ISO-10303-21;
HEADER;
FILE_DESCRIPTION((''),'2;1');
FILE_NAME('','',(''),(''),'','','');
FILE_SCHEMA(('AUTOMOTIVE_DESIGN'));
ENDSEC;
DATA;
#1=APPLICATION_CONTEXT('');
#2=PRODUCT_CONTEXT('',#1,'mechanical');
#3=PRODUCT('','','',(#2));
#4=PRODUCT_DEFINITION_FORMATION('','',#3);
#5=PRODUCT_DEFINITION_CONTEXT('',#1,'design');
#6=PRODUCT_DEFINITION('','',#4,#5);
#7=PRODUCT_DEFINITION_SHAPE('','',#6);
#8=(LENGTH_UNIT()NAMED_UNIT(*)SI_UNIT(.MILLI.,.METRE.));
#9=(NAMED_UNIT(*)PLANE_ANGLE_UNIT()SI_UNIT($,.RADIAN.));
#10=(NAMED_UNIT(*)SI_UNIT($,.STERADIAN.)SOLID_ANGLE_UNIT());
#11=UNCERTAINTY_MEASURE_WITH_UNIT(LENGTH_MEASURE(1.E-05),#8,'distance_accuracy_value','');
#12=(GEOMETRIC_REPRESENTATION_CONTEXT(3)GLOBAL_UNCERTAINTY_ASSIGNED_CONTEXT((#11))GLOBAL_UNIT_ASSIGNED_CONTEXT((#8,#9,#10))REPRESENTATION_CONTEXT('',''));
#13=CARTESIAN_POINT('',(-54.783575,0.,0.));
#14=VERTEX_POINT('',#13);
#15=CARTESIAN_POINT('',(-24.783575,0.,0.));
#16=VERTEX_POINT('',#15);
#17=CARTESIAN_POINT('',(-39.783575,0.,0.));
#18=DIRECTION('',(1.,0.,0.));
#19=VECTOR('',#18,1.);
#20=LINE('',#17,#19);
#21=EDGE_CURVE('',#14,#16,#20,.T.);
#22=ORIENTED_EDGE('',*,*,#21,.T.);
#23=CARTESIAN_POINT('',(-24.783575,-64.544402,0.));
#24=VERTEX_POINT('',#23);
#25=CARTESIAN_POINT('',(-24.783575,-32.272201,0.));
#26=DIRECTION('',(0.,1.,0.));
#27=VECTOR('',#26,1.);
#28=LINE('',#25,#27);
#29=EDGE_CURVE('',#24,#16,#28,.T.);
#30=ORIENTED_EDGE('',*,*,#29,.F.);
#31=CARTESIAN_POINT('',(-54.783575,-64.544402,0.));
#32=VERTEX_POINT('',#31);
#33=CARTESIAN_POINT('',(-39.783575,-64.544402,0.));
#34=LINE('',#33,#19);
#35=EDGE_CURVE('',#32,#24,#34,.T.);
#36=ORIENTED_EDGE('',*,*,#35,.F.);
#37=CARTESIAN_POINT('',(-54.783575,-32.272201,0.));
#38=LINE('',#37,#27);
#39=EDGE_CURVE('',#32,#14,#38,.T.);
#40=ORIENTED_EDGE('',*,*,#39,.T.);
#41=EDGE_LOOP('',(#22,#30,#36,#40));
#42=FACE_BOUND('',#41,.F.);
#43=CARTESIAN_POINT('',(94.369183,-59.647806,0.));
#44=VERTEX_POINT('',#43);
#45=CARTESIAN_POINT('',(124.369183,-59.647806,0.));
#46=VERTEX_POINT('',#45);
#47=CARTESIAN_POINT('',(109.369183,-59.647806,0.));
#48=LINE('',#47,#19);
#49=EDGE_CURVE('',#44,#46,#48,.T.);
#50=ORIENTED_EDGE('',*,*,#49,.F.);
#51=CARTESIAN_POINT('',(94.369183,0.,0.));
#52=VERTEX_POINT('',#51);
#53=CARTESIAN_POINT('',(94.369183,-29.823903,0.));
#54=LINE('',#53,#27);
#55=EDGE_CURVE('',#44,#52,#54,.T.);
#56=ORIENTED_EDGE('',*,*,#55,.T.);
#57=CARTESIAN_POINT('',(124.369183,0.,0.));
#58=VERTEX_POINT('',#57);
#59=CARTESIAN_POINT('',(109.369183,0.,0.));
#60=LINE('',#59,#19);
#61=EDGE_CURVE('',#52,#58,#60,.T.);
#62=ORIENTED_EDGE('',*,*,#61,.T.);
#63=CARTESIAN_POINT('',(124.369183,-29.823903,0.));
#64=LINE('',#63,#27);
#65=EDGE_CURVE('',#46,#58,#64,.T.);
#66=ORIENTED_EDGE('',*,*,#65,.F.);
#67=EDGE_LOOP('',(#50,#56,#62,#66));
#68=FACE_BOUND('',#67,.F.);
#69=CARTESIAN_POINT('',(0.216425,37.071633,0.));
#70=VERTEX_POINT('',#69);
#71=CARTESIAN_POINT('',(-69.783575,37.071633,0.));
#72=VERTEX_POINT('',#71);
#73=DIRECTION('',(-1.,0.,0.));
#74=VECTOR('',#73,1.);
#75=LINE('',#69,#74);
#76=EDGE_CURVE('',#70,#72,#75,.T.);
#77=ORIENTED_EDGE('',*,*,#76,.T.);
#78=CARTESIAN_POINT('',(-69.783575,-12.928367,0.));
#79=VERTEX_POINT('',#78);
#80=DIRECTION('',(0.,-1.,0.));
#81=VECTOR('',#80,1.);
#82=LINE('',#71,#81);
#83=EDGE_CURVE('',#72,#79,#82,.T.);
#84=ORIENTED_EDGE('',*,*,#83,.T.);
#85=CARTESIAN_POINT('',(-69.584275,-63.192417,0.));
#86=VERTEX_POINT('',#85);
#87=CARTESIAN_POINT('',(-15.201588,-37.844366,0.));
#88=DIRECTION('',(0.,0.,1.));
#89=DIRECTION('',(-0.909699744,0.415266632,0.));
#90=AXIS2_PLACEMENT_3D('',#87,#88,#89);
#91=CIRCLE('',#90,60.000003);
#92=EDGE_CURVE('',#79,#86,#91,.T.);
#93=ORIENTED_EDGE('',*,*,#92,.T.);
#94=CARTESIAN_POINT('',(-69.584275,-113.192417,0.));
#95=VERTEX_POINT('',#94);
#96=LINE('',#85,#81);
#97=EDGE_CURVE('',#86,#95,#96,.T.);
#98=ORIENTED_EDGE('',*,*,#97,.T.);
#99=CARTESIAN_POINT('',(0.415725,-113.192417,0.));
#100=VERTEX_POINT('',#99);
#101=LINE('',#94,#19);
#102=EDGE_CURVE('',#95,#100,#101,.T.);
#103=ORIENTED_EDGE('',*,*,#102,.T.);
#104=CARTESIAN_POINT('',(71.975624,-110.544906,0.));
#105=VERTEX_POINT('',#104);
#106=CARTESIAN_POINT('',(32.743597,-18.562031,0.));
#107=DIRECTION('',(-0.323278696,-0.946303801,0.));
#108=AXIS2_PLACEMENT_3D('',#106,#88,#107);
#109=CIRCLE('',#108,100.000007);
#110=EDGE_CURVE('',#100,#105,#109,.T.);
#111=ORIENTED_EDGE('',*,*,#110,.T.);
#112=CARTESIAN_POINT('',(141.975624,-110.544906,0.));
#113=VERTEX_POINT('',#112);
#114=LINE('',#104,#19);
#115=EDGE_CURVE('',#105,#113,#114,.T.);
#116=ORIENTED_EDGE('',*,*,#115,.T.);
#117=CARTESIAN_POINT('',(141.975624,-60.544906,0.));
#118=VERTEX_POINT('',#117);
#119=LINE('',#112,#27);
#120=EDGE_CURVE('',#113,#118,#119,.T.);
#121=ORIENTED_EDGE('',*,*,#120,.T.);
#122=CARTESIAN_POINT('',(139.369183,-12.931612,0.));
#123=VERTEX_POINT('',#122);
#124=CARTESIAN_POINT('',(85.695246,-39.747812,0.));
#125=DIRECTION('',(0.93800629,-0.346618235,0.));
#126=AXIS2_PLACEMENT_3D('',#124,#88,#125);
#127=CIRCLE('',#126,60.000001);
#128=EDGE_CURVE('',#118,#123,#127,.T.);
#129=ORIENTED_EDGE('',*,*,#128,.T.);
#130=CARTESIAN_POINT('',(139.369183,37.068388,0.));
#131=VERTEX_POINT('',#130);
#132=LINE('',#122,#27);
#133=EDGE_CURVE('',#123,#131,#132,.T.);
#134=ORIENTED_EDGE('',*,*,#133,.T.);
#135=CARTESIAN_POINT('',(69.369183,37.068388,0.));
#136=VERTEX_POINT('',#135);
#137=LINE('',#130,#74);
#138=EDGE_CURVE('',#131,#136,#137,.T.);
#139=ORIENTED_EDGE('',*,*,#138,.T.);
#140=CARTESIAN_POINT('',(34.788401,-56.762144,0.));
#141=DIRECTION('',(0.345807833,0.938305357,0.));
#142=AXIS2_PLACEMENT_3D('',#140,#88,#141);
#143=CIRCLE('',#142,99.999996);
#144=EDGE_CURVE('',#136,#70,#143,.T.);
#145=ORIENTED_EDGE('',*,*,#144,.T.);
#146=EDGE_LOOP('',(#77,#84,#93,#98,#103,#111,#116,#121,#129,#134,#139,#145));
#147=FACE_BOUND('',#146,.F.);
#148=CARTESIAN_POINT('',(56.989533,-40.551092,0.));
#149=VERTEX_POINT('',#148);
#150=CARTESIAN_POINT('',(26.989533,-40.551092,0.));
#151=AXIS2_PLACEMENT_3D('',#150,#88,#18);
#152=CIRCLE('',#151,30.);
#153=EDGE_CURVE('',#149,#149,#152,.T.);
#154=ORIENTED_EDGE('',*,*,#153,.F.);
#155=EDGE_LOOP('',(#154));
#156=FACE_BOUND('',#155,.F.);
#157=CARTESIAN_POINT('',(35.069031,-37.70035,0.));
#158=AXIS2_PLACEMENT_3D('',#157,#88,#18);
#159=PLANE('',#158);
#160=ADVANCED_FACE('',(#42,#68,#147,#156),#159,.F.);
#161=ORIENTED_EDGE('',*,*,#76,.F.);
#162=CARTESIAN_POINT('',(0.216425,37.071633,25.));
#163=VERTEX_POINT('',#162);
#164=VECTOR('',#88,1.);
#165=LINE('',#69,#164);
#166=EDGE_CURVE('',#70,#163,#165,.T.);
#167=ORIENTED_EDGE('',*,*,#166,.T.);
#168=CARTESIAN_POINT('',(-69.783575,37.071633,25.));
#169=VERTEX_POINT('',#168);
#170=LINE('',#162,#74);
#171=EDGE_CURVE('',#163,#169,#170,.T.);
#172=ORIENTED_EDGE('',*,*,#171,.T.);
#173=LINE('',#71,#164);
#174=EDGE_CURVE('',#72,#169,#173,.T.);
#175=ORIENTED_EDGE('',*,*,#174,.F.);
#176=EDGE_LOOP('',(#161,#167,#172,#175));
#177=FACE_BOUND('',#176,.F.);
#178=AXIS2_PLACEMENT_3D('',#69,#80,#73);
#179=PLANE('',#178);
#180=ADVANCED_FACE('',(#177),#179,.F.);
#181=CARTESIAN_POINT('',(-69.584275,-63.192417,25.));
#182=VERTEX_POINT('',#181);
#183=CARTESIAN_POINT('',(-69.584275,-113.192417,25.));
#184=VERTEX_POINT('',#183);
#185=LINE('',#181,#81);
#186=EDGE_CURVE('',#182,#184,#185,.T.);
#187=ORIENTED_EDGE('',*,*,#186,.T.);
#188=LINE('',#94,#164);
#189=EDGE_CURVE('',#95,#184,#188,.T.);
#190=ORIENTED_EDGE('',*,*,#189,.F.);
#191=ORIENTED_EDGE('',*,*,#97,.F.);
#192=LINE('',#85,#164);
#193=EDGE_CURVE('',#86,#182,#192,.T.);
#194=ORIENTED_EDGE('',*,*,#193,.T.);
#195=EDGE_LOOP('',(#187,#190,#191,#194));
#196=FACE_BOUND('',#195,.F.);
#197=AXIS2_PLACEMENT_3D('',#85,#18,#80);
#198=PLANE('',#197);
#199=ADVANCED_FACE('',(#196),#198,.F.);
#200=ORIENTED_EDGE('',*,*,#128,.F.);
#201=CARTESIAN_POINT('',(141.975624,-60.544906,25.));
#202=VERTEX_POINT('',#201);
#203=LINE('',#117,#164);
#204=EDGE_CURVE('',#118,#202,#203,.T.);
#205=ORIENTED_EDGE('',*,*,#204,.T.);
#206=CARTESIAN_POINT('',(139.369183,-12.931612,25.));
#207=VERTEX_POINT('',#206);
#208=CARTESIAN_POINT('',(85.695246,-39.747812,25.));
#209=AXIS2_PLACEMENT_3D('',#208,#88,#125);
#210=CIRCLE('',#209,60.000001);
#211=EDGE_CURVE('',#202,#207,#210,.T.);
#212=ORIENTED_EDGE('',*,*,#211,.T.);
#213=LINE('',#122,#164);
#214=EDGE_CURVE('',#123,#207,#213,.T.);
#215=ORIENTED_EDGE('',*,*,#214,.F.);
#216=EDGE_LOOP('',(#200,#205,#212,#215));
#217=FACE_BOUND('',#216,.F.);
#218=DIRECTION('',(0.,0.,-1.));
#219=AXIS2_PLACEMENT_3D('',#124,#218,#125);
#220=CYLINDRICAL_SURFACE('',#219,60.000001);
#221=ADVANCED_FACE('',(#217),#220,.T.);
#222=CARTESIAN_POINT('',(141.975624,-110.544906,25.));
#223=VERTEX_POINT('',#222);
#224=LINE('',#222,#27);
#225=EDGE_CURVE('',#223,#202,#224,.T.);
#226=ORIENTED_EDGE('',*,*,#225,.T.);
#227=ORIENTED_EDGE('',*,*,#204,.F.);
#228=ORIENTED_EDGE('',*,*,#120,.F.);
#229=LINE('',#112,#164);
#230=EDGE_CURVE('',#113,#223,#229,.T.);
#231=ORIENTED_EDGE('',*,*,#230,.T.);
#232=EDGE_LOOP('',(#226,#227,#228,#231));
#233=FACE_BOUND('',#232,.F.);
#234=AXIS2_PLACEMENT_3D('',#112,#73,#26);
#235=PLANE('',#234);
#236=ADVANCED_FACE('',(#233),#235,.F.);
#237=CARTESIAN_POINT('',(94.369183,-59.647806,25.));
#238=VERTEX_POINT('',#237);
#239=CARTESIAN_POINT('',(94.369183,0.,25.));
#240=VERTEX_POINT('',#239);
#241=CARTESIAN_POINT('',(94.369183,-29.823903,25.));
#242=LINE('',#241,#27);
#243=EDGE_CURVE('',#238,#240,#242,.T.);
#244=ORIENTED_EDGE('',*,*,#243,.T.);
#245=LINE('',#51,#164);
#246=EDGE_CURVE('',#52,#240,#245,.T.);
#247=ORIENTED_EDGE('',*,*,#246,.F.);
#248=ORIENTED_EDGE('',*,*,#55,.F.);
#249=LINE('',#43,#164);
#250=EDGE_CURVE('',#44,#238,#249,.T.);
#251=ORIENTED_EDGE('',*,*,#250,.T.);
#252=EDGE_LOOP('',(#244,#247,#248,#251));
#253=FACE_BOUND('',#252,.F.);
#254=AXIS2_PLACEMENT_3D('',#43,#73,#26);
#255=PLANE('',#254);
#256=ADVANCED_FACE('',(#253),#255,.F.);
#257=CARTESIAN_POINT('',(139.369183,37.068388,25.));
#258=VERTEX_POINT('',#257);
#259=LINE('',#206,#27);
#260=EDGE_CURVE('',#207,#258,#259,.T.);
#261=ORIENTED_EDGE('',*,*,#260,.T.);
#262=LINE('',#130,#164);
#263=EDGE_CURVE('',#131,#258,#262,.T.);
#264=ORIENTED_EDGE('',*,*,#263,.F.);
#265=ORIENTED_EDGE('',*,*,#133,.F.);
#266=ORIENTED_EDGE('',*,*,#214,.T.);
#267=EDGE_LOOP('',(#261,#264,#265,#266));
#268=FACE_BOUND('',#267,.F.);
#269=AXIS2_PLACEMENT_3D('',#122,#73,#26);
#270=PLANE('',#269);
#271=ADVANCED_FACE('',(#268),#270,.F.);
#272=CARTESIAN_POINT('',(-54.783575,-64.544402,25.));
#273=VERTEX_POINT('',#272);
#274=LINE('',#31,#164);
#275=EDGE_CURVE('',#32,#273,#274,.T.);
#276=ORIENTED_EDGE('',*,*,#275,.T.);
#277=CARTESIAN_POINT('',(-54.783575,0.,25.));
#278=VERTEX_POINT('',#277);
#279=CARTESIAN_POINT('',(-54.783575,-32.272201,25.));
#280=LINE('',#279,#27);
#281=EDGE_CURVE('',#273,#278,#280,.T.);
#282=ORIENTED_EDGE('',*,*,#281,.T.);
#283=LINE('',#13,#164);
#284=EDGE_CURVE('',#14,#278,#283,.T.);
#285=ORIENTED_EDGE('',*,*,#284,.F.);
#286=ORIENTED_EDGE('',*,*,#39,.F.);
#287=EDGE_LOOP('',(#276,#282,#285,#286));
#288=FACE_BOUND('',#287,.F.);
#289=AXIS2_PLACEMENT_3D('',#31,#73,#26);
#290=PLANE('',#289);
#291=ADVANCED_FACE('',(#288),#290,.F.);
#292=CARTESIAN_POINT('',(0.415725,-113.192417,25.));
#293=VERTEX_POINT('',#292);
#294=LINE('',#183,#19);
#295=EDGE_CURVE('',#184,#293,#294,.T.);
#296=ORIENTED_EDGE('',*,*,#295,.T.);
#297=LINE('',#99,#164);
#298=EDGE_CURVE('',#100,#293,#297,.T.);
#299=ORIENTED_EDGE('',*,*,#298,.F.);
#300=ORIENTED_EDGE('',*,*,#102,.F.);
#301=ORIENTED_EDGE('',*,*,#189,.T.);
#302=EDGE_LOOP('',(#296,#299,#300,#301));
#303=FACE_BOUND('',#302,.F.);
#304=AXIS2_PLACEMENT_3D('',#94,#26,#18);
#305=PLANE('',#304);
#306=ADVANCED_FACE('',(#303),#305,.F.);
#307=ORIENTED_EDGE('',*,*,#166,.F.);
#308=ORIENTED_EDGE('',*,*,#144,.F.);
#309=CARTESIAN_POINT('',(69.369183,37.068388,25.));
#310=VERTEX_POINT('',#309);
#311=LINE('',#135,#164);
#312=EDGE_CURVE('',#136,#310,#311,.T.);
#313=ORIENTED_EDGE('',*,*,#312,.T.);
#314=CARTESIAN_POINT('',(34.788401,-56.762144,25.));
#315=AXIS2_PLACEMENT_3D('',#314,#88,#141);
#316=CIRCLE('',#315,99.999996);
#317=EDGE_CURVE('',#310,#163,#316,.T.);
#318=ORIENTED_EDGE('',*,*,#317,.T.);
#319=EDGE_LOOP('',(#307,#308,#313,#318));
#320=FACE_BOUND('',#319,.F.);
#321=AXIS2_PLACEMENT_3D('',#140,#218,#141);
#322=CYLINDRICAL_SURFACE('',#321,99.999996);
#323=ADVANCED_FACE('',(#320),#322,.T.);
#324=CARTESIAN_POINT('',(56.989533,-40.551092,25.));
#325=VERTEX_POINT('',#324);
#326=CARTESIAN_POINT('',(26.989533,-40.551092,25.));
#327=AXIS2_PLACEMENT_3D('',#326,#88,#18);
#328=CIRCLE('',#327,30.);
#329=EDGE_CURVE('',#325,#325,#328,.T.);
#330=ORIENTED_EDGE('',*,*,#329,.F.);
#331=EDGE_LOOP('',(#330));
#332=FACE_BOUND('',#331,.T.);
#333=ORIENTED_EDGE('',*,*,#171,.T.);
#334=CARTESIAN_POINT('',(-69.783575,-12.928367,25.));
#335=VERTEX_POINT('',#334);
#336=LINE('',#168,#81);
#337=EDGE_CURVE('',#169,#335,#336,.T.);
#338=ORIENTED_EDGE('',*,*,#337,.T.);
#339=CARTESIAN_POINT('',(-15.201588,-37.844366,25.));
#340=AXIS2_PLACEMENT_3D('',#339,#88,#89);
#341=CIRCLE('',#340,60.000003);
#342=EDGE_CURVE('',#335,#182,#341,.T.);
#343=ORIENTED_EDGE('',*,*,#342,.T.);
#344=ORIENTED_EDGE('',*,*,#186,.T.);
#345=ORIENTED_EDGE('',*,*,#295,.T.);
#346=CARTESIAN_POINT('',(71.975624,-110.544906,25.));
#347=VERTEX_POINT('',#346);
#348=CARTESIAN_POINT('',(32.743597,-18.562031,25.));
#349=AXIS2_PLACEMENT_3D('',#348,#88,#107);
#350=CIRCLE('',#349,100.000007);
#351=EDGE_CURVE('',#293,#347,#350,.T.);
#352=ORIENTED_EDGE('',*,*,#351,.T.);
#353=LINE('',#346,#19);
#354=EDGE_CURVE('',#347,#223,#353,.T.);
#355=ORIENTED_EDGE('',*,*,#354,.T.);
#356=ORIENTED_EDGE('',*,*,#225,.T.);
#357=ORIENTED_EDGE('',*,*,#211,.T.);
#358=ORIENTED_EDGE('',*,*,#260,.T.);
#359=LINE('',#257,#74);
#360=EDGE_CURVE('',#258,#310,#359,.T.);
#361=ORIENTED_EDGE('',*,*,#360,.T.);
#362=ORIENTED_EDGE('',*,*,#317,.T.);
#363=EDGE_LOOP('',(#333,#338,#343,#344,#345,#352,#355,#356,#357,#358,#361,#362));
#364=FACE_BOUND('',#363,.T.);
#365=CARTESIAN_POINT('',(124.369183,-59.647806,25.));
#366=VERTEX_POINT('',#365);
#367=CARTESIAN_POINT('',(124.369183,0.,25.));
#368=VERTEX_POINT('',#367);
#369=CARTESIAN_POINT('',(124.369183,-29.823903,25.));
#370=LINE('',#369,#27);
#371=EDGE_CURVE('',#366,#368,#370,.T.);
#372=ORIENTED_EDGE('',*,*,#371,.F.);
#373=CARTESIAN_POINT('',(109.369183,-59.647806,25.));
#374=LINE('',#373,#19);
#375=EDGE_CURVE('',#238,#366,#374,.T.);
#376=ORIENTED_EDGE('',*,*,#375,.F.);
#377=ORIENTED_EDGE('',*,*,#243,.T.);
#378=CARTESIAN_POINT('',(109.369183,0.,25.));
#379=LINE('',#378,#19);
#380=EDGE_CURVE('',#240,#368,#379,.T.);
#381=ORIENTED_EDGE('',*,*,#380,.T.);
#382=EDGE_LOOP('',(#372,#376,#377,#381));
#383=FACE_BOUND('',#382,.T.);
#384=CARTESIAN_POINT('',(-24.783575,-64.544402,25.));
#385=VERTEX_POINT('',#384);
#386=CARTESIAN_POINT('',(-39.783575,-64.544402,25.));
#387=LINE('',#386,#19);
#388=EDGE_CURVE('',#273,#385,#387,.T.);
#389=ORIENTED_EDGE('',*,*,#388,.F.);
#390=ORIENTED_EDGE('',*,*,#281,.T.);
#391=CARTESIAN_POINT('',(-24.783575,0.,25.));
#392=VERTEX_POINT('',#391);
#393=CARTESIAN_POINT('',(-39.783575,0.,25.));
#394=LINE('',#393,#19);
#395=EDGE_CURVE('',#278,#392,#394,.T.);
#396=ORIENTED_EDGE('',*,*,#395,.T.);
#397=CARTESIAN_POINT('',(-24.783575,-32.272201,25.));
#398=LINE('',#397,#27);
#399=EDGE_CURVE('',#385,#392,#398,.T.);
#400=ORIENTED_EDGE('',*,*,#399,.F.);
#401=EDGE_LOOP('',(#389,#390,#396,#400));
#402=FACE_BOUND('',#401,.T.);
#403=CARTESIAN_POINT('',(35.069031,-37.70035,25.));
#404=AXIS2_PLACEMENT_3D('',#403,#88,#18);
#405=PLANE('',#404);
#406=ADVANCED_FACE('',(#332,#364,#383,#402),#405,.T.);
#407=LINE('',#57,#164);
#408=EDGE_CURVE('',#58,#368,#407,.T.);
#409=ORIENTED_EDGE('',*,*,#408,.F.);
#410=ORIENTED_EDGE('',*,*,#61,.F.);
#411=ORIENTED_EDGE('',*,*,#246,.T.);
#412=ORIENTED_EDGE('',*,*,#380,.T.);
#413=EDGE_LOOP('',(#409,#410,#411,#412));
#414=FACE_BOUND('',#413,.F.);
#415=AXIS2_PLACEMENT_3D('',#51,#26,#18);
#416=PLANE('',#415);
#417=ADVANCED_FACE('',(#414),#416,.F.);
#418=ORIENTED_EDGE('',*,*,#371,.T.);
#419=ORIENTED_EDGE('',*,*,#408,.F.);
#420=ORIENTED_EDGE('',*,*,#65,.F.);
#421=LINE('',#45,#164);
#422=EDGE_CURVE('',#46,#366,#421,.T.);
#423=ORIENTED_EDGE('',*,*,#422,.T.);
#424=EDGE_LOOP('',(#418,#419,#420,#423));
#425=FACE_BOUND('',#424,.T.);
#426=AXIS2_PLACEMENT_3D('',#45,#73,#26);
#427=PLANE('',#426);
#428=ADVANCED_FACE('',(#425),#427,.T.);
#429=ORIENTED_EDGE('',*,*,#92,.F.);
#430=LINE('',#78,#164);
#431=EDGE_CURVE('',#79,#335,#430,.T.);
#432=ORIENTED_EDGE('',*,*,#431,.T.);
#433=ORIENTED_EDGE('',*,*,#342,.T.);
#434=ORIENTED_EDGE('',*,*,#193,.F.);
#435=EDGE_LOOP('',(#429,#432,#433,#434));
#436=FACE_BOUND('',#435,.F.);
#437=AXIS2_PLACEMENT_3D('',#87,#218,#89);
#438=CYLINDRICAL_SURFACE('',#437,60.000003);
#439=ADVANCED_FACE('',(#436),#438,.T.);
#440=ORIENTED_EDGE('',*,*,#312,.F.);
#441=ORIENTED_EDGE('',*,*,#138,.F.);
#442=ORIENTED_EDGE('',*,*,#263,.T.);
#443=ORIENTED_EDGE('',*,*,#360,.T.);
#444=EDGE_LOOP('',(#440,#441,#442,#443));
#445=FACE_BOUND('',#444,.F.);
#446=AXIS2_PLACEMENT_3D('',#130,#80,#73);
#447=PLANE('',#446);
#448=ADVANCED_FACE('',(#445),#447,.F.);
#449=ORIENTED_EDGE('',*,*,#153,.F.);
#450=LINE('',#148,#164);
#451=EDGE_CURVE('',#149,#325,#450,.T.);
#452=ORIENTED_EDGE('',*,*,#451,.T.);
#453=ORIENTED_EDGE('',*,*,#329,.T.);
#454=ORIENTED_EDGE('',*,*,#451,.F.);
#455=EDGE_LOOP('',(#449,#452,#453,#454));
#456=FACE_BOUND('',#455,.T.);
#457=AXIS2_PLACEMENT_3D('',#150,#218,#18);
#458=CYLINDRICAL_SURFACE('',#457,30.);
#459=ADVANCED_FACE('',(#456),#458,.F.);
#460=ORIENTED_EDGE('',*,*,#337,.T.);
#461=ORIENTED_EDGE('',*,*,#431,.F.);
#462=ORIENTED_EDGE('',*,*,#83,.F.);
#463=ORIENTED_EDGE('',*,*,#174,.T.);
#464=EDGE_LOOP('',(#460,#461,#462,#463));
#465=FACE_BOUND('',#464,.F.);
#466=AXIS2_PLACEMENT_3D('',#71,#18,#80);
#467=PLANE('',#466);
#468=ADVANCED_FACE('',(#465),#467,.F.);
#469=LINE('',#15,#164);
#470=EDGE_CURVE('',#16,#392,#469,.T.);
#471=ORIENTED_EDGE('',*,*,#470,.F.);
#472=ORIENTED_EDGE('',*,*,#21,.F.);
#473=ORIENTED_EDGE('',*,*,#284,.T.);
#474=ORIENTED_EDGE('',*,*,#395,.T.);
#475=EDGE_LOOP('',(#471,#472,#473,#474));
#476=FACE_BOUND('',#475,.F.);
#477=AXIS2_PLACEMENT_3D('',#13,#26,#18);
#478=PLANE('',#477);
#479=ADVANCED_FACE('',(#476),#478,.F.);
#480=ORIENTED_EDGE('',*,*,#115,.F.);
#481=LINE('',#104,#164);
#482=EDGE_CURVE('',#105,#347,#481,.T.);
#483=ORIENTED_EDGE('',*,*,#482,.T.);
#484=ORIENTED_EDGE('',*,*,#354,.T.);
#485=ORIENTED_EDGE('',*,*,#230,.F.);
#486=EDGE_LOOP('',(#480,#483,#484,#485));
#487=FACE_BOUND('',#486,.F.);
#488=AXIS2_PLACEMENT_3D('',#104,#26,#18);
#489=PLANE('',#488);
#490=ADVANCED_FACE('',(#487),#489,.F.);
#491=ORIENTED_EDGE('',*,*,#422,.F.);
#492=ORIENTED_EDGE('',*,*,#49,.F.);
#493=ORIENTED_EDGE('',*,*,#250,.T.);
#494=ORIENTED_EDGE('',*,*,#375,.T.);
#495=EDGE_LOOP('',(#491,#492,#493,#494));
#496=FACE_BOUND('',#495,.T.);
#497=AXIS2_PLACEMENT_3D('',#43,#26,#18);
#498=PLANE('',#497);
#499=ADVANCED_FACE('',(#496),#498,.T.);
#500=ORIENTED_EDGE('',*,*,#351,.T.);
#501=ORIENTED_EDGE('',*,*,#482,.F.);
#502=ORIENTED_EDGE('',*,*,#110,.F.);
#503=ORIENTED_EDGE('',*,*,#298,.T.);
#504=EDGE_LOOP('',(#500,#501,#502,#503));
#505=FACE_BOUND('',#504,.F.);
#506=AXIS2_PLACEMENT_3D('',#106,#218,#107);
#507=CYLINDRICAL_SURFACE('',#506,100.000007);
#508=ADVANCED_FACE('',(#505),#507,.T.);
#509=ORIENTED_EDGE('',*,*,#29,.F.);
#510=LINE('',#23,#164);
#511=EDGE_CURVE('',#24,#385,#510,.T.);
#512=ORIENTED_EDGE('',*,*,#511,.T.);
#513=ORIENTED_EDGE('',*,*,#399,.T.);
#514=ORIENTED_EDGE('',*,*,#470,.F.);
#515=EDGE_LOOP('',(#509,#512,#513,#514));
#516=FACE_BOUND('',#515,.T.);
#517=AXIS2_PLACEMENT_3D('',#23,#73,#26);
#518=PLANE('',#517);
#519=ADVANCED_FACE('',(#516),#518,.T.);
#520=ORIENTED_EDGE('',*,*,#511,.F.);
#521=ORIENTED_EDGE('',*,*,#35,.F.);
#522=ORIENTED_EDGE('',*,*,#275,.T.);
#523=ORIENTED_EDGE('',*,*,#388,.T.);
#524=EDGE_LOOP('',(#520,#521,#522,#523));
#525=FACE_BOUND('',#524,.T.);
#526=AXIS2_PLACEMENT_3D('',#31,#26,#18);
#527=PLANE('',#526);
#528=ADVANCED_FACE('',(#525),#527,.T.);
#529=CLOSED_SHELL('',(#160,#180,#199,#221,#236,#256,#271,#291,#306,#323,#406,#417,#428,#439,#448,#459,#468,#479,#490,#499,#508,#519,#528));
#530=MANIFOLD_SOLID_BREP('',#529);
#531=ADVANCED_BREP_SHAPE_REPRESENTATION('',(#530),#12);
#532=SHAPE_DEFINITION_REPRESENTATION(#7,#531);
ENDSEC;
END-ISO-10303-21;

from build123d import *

# Parameters (mm, degrees)
F0_R     = 30
F0_W     = 30
F0_H     = 64.544402
F0_H_2   = 59.647806
F1_DEPTH = 25


with BuildPart() as f1:
    # F0 (on Top) → F1 (new body)
    with BuildSketch(Plane.XY):
        with BuildLine():
            Line((0.216425, 37.071633), (-69.783575, 37.071633))
            Line((-69.783575, 37.071633), (-69.783575, -12.928367))
            ThreePointArc((-69.783575, -12.928367), (-75.201119, -38.082268), (-69.584275, -63.192417))
            Line((-69.584275, -63.192417), (-69.584275, -113.192417))
            Line((-69.584275, -113.192417), (0.415725, -113.192417))
            ThreePointArc((0.415725, -113.192417), (36.440781, -118.493668), (71.975624, -110.544906))
            Line((71.975624, -110.544906), (141.975624, -110.544906))
            Line((141.975624, -110.544906), (141.975624, -60.544906))
            ThreePointArc((141.975624, -60.544906), (145.605548, -36.468209), (139.369183, -12.931612))
            Line((139.369183, -12.931612), (139.369183, 37.068388))
            Line((139.369183, 37.068388), (69.369183, 37.068388))
            ThreePointArc((69.369183, 37.068388), (34.793093, 43.237852), (0.216425, 37.071633))
        make_face()
        with Locations((26.989533, -40.551092)):
            Circle(F0_R, mode=Mode.SUBTRACT)
        with Locations((-39.783575, -32.272201)):
            Rectangle(F0_W, F0_H, mode=Mode.SUBTRACT)
        with Locations((109.369183, -29.823903)):
            Rectangle(F0_W, F0_H_2, mode=Mode.SUBTRACT)
    extrude(amount=F1_DEPTH)


solid = f1.part
